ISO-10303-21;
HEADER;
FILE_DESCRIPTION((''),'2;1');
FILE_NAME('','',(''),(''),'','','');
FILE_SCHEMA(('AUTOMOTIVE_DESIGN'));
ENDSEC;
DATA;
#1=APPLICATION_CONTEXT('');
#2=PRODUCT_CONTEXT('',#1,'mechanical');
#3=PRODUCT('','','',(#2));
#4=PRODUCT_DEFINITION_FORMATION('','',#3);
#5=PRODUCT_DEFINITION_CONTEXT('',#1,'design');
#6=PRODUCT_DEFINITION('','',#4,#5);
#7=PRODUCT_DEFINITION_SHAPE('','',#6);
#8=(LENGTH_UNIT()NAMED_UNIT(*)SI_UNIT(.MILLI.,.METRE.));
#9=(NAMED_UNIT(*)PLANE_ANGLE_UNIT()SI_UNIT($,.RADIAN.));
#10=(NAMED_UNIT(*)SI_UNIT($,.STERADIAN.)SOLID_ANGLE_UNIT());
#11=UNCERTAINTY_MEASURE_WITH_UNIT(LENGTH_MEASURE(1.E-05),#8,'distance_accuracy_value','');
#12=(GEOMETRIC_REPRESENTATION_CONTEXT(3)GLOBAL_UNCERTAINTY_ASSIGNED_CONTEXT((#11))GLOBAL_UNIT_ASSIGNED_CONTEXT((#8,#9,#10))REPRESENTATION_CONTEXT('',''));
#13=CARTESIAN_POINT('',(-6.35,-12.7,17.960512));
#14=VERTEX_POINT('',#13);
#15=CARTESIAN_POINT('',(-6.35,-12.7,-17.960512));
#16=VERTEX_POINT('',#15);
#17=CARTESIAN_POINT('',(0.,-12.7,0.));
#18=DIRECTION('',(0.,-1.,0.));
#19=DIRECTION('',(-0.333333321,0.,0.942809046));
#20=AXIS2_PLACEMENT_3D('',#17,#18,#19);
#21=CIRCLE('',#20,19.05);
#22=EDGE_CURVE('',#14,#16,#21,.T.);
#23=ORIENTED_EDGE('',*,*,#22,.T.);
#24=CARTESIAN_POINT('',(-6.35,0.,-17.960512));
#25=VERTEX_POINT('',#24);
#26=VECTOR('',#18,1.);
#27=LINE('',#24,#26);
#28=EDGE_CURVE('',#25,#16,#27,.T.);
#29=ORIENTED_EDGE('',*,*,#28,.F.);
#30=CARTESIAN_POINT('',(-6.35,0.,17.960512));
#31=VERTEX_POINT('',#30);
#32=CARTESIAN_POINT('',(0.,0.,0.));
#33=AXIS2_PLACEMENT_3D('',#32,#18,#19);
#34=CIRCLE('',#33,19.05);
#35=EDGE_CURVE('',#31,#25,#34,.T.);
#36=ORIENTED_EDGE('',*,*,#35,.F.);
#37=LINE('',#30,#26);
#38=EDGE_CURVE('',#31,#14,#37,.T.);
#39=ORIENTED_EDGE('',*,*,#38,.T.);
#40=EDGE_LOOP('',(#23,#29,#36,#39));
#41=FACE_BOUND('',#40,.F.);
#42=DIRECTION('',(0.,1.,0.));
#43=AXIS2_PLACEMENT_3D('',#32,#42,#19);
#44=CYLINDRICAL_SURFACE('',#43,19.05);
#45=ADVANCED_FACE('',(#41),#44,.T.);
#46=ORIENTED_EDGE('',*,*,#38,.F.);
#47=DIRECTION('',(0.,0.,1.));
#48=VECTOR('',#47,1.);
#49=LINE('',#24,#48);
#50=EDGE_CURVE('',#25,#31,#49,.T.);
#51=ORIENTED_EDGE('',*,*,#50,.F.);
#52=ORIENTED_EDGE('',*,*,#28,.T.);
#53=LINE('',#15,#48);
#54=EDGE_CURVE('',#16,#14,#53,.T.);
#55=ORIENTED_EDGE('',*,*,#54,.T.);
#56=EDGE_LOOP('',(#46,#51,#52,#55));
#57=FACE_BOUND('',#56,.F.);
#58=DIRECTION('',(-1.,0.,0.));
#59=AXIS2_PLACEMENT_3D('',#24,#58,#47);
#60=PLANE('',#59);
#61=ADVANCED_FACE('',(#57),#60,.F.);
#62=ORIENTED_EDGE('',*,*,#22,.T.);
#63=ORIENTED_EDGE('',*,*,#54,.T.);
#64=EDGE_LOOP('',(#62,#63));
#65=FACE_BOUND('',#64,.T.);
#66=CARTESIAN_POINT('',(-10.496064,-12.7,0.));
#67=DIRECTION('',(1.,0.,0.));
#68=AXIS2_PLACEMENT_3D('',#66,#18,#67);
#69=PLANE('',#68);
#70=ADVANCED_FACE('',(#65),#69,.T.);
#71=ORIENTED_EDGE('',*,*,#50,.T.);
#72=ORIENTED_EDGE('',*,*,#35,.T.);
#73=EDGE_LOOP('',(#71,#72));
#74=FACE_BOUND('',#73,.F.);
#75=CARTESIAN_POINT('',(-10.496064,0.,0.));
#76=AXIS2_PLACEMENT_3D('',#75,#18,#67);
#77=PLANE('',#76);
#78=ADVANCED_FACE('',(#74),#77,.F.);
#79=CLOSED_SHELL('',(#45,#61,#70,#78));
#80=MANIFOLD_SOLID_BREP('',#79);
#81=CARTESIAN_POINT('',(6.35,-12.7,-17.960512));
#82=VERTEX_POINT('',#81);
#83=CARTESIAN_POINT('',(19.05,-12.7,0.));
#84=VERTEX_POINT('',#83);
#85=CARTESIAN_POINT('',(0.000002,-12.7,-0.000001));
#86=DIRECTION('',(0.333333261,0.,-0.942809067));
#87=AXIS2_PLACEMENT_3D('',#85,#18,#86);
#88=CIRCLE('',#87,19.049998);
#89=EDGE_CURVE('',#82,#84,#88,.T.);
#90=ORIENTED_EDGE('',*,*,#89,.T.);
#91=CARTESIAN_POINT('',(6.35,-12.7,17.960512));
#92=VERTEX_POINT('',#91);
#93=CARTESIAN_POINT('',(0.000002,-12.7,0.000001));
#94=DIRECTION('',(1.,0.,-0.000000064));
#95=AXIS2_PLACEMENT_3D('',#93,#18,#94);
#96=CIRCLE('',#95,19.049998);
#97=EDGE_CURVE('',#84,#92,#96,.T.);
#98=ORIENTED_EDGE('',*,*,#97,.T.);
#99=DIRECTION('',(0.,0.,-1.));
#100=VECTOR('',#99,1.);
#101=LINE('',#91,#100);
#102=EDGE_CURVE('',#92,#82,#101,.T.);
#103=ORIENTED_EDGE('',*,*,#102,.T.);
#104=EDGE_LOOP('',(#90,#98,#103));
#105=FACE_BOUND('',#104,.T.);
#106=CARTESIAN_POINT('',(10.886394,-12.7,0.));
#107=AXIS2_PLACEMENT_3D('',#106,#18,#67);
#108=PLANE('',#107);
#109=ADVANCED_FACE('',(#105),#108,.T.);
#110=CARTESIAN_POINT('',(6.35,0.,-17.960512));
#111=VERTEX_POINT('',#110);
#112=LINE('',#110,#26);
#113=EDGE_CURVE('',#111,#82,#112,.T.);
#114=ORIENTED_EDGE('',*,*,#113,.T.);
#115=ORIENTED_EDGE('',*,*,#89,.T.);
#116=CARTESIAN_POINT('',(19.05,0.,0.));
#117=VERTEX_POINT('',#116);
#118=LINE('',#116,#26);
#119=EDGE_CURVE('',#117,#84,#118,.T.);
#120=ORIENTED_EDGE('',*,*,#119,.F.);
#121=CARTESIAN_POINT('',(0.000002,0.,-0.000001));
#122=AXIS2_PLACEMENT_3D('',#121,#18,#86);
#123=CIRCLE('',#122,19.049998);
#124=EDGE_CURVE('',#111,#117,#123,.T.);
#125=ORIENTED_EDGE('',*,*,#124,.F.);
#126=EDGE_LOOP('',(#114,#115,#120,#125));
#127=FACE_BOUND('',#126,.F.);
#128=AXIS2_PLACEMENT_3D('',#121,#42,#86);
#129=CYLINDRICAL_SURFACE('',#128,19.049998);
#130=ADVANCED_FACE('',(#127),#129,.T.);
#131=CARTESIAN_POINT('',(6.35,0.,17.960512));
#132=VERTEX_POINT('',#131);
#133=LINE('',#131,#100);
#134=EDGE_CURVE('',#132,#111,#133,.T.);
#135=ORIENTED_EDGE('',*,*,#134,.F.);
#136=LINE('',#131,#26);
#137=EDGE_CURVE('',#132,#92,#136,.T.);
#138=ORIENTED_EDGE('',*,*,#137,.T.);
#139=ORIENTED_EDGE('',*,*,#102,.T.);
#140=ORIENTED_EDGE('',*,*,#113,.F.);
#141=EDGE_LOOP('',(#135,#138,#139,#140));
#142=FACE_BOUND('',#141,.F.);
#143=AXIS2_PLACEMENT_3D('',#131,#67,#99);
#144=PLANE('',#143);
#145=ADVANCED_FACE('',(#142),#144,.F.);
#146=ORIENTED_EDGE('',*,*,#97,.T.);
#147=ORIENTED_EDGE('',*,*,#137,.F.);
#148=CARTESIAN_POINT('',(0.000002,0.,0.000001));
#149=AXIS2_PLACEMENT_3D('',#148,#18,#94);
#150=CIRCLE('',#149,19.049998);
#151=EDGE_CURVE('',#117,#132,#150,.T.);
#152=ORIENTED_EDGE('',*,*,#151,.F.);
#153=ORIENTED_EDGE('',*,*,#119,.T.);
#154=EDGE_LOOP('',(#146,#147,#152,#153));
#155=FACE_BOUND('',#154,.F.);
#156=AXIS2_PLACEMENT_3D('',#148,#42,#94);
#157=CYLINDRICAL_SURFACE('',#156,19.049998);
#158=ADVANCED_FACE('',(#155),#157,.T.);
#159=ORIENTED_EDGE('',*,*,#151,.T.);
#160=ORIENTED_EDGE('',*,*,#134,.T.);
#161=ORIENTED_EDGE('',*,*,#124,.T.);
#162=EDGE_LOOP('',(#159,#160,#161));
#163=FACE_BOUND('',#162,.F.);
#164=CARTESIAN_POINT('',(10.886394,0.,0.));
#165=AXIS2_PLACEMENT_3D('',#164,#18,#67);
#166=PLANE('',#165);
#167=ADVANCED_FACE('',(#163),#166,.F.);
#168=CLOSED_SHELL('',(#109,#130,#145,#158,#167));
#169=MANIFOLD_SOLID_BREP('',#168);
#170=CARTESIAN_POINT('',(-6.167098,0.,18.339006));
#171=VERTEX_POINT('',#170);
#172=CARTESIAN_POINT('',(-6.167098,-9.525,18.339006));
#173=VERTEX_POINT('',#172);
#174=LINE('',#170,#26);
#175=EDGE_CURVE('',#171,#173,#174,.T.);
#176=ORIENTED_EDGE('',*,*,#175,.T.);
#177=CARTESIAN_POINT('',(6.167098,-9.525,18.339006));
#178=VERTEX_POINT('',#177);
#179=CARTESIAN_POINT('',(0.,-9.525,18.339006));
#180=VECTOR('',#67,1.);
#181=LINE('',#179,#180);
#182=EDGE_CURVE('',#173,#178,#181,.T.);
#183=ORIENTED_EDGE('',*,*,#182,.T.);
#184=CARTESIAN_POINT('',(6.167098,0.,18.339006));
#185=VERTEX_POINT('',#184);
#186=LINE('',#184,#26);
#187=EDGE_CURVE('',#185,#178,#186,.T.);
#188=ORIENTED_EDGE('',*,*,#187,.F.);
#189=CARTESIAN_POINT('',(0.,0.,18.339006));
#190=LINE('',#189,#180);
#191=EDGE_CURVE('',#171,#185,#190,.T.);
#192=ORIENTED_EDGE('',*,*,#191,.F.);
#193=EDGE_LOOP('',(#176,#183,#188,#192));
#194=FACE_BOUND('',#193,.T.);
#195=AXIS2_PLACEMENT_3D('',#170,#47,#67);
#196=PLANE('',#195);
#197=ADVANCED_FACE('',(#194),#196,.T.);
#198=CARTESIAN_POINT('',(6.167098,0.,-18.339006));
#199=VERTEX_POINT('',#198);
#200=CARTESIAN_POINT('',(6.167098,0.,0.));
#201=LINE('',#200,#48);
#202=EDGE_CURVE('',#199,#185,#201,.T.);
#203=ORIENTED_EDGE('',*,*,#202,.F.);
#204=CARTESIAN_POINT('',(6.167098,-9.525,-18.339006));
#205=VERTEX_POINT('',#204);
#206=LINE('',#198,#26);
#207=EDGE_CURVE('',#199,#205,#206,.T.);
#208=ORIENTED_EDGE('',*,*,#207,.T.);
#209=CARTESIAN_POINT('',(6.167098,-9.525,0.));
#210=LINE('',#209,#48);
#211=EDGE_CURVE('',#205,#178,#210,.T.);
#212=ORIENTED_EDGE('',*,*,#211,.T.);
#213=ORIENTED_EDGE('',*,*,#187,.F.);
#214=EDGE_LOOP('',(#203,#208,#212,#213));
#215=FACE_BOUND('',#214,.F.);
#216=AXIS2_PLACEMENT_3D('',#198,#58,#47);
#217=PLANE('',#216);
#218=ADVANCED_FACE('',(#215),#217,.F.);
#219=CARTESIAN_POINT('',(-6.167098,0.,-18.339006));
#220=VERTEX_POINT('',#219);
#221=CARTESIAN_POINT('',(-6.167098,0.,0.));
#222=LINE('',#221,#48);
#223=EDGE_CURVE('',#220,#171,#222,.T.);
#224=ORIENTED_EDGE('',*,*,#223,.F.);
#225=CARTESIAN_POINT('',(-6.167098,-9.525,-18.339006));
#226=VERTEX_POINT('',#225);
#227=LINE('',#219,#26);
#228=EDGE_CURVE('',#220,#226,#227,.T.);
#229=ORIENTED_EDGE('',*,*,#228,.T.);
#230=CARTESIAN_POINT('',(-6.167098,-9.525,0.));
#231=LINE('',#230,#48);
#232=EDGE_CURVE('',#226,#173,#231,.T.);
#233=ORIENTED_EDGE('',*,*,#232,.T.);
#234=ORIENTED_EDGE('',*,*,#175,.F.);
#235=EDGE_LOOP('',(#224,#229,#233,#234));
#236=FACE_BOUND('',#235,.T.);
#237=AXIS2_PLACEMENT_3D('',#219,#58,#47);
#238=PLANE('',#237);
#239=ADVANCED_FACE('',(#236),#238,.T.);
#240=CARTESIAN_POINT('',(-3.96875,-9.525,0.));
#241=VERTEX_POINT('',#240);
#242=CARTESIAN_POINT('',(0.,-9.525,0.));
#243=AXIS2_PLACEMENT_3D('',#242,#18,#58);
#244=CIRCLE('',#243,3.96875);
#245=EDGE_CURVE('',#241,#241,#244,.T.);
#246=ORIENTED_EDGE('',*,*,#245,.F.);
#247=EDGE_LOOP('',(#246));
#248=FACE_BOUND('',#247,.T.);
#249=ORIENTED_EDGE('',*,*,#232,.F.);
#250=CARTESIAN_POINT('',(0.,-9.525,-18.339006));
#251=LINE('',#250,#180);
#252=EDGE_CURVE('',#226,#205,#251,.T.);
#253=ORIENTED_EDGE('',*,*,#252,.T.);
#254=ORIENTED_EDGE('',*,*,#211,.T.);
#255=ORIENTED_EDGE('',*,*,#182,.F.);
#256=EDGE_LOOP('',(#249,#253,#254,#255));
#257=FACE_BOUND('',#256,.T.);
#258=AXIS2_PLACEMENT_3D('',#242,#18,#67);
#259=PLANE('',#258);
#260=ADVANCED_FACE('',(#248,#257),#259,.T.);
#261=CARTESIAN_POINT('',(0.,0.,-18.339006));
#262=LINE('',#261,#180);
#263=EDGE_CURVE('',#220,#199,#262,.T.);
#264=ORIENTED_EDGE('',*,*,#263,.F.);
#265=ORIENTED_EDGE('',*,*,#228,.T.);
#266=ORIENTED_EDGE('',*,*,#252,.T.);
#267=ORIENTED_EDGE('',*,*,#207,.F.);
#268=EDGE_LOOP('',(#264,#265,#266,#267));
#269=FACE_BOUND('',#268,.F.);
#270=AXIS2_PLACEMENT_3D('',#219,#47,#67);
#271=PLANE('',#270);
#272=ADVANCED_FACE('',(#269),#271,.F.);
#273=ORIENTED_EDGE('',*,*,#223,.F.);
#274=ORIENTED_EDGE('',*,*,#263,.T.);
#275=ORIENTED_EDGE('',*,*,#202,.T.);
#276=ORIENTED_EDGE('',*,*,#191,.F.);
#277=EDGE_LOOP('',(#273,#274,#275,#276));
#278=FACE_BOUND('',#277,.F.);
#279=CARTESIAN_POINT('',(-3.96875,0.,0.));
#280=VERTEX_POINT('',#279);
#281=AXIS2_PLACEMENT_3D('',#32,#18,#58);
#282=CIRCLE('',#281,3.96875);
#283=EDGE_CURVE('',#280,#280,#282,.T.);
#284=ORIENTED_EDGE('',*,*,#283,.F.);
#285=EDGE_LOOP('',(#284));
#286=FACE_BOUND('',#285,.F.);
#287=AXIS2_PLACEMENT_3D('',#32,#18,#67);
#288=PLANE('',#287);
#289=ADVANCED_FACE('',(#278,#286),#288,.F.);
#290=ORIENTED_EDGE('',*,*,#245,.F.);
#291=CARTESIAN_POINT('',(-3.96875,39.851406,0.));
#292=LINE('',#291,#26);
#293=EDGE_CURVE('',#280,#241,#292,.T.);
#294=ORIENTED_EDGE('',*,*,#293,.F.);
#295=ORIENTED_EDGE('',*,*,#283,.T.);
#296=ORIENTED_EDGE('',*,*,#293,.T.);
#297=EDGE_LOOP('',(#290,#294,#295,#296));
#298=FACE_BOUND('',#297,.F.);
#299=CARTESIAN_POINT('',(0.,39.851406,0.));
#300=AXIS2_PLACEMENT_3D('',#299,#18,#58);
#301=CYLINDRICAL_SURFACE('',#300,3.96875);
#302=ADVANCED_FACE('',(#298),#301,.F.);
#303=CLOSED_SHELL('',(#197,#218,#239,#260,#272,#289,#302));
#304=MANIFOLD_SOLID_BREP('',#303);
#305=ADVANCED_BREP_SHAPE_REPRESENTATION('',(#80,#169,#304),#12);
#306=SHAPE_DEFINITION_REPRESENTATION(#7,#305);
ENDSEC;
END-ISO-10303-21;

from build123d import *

# Parameters (mm, degrees)
F1_DEPTH = 12.7
F2_W     = 12.334196
F2_H     = 36.678012
F4_DEPTH = 9.525
F5_D     = 7.9375


with BuildPart() as f1:
    # F0 (on Front) → F1 (new body)
    with BuildSketch(Plane.XZ):
        with BuildLine():
            ThreePointArc((6.35, -17.960512), (15.55426, -10.998523), (19.05, 0))
            ThreePointArc((19.05, 0), (15.55426, 10.998523), (6.35, 17.960512))
            Line((6.35, 17.960512), (6.35, -17.960512))
        make_face()
        with BuildLine():
            Line((-6.35, -17.960512), (-6.35, 17.960512))
            ThreePointArc((-6.35, 17.960512), (-19.05, 0), (-6.35, -17.960512))
        make_face()
    extrude(amount=F1_DEPTH)


with BuildPart() as f4:
    # F2 (on Front) → F4 (new body)
    with BuildSketch(Plane.XZ):
        Rectangle(F2_W, F2_H)
    extrude(amount=F4_DEPTH)

    # F5 (through all)
    with Locations(Plane(origin=(0, 0, 0), x_dir=(1, 0, 0), z_dir=(0, 1, 0))):
        with Locations((0, 0)):
            Hole(F5_D / 2)


solid = Compound([f1.part, f4.part])
